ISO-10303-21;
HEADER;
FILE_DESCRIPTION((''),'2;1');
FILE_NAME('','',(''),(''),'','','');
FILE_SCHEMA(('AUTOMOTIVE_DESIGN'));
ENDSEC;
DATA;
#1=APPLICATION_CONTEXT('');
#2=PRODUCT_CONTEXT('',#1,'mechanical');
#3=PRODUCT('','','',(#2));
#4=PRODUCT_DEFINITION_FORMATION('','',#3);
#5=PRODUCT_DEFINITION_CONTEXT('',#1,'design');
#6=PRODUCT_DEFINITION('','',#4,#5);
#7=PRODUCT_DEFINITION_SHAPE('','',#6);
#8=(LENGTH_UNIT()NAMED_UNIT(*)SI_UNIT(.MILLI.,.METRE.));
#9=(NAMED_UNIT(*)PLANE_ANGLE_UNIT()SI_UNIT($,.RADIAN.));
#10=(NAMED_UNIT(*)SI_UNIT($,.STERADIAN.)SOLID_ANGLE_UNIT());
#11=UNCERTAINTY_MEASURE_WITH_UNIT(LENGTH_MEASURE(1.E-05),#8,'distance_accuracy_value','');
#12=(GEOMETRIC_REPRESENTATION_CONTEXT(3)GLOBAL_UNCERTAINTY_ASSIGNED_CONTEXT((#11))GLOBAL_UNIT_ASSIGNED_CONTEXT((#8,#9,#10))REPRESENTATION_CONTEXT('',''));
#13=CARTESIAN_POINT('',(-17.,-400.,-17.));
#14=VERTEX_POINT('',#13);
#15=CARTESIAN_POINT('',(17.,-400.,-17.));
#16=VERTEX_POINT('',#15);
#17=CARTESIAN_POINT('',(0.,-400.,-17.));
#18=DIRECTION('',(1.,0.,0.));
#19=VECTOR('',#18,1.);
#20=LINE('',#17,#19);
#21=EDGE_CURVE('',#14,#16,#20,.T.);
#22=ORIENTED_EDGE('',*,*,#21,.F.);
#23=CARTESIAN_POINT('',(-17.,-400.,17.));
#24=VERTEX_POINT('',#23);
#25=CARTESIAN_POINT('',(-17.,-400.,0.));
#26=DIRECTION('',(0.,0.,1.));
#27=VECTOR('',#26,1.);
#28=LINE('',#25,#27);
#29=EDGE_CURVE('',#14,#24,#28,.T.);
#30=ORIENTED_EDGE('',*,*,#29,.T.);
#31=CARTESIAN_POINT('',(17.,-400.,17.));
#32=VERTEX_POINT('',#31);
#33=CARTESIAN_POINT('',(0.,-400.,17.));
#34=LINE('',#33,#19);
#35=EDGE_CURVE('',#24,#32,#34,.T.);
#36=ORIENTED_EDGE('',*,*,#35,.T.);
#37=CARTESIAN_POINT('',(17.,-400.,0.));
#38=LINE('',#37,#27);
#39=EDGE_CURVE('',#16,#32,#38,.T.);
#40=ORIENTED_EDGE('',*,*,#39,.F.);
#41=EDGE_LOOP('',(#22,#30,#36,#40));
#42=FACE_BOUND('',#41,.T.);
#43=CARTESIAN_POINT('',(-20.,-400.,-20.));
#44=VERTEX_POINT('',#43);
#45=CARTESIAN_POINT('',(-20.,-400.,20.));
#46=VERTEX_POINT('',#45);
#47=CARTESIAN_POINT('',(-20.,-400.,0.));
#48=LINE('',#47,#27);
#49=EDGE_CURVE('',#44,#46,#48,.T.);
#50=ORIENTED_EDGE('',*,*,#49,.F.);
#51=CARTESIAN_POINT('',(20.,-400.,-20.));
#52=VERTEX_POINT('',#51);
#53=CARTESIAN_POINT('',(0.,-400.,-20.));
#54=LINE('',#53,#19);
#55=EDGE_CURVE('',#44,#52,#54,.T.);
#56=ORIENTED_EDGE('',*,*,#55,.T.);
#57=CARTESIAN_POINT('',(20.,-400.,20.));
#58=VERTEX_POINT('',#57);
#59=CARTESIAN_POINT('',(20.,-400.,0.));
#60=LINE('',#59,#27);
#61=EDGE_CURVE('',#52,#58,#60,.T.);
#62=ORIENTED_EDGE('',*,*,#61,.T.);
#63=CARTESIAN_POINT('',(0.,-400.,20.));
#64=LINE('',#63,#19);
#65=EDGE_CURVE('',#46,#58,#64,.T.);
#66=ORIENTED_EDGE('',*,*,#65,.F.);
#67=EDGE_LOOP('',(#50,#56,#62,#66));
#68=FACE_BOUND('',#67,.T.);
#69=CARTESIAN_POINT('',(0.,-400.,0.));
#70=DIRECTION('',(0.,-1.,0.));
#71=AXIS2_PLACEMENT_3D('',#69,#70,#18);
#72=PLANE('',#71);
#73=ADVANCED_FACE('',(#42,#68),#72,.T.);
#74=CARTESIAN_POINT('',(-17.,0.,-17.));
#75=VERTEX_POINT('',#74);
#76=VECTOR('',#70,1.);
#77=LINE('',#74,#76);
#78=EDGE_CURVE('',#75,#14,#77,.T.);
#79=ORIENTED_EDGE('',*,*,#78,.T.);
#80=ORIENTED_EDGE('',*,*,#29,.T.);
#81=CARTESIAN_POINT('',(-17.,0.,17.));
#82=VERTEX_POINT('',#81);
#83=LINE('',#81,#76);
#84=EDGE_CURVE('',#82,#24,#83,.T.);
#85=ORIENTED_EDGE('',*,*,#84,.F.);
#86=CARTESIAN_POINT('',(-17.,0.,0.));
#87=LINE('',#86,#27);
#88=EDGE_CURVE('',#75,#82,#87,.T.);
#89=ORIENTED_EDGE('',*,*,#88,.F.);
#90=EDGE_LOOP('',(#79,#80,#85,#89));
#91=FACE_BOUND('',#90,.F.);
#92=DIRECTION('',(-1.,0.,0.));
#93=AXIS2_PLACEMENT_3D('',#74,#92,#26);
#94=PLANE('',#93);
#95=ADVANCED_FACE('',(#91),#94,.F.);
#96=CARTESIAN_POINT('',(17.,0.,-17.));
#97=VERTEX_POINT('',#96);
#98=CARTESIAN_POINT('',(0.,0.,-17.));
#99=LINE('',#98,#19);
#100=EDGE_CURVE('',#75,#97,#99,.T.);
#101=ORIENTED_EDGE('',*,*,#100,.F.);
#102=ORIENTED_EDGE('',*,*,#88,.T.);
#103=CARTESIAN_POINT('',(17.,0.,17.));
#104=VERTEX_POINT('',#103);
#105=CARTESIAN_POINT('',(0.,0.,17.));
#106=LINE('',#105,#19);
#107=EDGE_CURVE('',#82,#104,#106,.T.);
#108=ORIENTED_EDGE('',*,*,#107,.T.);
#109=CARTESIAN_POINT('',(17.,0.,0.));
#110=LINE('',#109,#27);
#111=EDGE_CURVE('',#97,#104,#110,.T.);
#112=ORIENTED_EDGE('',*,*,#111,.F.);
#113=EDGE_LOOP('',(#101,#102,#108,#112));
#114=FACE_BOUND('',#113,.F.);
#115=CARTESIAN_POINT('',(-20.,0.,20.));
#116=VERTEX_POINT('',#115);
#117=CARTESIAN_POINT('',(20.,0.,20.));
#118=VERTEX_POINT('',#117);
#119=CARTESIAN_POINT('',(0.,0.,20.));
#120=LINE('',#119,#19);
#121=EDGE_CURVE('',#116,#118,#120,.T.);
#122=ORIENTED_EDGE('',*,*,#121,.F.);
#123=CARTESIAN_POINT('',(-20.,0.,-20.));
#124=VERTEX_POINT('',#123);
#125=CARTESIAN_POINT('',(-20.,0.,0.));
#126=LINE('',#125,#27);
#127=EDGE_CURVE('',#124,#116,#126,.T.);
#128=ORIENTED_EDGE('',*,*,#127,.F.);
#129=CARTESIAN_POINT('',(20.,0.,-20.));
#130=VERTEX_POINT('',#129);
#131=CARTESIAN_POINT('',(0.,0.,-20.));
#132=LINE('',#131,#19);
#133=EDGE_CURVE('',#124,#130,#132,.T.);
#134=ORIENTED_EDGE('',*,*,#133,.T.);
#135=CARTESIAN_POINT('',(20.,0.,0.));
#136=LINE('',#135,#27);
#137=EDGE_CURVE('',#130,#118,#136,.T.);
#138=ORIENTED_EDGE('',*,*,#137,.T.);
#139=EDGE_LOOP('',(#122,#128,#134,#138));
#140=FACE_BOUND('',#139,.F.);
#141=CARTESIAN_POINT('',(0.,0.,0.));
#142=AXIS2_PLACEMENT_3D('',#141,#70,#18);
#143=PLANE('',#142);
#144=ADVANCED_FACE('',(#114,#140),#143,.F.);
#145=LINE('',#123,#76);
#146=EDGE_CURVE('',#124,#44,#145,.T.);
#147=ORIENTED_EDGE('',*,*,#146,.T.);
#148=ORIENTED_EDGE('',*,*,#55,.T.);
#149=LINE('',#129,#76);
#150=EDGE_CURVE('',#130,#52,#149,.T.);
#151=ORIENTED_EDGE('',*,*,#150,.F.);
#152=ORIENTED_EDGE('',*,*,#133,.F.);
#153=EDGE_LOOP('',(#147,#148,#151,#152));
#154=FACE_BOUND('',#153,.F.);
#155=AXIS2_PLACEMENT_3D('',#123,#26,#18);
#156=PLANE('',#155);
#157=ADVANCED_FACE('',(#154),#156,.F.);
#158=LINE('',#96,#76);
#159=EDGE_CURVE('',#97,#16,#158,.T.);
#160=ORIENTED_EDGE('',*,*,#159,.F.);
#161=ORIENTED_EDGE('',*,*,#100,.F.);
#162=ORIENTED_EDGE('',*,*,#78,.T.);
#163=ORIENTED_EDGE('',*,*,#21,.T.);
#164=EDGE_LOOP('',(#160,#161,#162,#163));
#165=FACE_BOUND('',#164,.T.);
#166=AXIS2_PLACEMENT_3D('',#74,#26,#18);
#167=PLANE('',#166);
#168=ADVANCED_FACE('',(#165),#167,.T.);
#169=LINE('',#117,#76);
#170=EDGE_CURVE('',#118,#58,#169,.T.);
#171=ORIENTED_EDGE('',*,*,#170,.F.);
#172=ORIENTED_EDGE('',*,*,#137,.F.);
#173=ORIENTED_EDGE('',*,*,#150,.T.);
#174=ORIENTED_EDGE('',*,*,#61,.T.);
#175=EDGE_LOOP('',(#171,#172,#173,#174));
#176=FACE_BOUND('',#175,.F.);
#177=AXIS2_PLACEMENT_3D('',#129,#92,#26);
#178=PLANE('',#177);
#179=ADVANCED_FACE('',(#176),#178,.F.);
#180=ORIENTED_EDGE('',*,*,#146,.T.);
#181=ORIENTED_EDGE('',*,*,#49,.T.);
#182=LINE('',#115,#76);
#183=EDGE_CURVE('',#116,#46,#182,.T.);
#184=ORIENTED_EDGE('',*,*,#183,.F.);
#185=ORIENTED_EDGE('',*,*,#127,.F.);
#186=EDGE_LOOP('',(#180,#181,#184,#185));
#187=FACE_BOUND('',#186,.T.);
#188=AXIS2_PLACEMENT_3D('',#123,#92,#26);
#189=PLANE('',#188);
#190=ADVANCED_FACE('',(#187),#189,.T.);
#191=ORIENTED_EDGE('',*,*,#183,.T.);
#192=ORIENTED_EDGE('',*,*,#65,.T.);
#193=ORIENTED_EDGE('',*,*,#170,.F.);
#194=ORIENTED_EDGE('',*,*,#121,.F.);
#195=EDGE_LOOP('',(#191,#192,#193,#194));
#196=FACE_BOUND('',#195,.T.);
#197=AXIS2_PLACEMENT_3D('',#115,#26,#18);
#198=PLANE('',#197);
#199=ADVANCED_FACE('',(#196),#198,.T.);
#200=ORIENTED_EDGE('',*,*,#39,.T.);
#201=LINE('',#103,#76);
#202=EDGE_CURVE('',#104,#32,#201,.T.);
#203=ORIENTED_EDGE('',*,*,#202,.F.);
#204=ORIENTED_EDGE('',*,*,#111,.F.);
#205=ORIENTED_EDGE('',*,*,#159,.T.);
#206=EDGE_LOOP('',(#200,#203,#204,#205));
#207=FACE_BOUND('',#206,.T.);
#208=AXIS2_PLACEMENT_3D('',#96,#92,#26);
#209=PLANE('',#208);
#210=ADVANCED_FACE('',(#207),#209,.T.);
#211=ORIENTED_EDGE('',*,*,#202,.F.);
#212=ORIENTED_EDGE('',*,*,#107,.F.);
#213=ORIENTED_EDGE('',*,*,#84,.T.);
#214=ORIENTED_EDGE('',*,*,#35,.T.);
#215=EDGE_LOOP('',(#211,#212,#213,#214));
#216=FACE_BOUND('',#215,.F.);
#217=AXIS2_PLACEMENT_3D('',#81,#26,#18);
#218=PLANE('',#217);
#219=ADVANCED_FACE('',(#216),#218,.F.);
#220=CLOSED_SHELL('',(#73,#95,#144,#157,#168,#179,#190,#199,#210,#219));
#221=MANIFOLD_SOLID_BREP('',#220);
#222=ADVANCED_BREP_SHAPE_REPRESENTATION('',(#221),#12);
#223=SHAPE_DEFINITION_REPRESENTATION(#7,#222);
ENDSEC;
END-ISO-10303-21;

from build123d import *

# Parameters (mm, degrees)
SKETCH_W   = 40
SKETCH_H   = 40
SKETCH_W_2 = 34
SKETCH_H_2 = 34
PAD_DEPTH  = 400


with BuildPart() as part:
    # Sketch → Pad (new body)
    with BuildSketch(Plane.XZ):
        Rectangle(SKETCH_W, SKETCH_H)
        Rectangle(SKETCH_W_2, SKETCH_H_2, mode=Mode.SUBTRACT)
    extrude(amount=PAD_DEPTH)


solid = part.part
